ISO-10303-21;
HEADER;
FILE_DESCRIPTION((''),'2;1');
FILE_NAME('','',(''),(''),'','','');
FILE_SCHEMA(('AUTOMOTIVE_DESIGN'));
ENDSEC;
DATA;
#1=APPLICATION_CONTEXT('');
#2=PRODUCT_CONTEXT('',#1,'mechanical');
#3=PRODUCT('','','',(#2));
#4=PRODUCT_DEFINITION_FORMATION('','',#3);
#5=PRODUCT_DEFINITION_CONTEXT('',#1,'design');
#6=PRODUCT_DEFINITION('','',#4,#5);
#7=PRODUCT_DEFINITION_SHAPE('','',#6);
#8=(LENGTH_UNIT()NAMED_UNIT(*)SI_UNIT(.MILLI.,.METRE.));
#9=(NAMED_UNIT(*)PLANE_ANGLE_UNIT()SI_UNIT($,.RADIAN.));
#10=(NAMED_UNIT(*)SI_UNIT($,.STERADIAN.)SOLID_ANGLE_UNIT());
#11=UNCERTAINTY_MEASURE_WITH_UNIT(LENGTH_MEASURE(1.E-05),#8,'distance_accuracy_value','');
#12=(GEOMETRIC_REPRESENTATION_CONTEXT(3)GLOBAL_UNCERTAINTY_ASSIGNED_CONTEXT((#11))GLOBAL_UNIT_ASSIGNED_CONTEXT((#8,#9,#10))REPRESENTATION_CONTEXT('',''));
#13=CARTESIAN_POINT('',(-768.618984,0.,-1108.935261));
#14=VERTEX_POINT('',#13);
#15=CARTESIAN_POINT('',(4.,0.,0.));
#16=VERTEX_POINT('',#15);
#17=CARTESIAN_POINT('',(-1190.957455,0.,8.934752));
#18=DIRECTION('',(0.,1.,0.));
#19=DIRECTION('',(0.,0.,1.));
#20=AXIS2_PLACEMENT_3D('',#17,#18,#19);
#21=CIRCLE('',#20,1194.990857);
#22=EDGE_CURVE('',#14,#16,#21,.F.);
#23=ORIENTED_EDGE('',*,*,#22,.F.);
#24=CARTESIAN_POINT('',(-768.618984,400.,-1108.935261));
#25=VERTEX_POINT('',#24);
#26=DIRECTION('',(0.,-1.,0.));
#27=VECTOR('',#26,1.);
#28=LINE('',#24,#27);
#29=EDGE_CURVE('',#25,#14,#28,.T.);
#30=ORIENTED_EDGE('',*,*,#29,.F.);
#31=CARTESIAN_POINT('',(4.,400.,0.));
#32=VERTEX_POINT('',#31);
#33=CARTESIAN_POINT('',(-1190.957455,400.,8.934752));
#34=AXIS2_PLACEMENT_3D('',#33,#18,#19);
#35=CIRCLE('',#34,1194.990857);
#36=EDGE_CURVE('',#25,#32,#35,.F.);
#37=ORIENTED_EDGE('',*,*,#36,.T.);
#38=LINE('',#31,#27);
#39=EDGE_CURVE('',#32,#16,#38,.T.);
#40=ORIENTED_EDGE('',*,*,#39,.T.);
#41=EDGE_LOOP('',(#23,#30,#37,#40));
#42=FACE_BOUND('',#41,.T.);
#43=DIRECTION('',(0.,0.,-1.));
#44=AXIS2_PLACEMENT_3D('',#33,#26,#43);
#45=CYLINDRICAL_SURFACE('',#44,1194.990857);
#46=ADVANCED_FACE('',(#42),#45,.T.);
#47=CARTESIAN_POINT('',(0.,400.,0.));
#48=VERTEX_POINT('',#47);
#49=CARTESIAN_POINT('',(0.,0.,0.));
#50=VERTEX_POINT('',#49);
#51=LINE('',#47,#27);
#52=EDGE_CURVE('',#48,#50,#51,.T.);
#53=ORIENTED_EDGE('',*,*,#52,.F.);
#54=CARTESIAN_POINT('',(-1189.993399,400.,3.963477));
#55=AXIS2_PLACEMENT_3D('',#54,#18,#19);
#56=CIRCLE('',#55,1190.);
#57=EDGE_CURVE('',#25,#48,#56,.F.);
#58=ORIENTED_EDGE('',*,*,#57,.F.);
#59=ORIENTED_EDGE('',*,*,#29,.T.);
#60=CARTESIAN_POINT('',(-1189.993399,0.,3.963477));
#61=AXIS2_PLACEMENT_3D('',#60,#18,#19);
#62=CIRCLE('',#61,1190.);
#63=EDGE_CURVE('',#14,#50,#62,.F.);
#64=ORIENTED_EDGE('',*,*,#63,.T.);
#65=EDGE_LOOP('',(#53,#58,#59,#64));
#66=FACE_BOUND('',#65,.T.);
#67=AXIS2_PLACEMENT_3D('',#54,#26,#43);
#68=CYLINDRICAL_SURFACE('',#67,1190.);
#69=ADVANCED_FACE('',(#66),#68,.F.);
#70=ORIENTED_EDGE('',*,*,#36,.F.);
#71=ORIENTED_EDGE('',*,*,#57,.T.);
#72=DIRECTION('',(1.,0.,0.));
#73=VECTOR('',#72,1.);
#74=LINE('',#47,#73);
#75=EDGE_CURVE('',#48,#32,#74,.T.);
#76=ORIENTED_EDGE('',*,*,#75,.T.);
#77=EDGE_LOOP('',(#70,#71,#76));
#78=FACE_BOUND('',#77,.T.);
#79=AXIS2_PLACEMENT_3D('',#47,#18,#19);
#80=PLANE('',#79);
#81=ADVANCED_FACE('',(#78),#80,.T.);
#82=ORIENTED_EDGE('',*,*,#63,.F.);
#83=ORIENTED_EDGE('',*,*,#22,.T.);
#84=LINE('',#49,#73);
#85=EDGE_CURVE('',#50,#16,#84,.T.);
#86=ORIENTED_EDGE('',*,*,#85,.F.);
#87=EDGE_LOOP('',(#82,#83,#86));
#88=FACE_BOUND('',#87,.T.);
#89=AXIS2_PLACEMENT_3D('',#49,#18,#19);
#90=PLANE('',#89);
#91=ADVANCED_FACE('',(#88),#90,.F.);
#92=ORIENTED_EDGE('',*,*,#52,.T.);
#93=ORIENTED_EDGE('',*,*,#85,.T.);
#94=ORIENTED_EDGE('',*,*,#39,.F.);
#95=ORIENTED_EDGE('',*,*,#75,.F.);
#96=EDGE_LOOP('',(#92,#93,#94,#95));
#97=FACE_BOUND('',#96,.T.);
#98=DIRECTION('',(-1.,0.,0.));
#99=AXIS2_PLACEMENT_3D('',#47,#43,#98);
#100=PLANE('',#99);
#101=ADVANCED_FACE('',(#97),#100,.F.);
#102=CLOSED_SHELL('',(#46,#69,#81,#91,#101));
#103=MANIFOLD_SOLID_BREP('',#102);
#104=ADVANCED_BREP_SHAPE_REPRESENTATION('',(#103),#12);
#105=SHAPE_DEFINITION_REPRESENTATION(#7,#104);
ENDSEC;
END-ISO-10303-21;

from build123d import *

# Parameters (mm, degrees)
RESSALTO_EXTRUS_O1_DEPTH = 400


with BuildPart() as part:
    # Esboço2 → Ressalto-extrusão1 (new body)
    with BuildSketch(Plane(origin=(0, 0, 0), x_dir=(1, 0, 0), z_dir=(0, 1, 0))):
        with BuildLine():
            ThreePointArc((-768.618984425, 1108.935261213), (-211.954079302, 673.92964707), (0, 0))
            Line((0, 0), (4, 0))
            ThreePointArc((4, 0), (-210.474981394, 674.188420342), (-768.618984425, 1108.935261213))
        make_face()
    extrude(amount=RESSALTO_EXTRUS_O1_DEPTH)


solid = part.part
